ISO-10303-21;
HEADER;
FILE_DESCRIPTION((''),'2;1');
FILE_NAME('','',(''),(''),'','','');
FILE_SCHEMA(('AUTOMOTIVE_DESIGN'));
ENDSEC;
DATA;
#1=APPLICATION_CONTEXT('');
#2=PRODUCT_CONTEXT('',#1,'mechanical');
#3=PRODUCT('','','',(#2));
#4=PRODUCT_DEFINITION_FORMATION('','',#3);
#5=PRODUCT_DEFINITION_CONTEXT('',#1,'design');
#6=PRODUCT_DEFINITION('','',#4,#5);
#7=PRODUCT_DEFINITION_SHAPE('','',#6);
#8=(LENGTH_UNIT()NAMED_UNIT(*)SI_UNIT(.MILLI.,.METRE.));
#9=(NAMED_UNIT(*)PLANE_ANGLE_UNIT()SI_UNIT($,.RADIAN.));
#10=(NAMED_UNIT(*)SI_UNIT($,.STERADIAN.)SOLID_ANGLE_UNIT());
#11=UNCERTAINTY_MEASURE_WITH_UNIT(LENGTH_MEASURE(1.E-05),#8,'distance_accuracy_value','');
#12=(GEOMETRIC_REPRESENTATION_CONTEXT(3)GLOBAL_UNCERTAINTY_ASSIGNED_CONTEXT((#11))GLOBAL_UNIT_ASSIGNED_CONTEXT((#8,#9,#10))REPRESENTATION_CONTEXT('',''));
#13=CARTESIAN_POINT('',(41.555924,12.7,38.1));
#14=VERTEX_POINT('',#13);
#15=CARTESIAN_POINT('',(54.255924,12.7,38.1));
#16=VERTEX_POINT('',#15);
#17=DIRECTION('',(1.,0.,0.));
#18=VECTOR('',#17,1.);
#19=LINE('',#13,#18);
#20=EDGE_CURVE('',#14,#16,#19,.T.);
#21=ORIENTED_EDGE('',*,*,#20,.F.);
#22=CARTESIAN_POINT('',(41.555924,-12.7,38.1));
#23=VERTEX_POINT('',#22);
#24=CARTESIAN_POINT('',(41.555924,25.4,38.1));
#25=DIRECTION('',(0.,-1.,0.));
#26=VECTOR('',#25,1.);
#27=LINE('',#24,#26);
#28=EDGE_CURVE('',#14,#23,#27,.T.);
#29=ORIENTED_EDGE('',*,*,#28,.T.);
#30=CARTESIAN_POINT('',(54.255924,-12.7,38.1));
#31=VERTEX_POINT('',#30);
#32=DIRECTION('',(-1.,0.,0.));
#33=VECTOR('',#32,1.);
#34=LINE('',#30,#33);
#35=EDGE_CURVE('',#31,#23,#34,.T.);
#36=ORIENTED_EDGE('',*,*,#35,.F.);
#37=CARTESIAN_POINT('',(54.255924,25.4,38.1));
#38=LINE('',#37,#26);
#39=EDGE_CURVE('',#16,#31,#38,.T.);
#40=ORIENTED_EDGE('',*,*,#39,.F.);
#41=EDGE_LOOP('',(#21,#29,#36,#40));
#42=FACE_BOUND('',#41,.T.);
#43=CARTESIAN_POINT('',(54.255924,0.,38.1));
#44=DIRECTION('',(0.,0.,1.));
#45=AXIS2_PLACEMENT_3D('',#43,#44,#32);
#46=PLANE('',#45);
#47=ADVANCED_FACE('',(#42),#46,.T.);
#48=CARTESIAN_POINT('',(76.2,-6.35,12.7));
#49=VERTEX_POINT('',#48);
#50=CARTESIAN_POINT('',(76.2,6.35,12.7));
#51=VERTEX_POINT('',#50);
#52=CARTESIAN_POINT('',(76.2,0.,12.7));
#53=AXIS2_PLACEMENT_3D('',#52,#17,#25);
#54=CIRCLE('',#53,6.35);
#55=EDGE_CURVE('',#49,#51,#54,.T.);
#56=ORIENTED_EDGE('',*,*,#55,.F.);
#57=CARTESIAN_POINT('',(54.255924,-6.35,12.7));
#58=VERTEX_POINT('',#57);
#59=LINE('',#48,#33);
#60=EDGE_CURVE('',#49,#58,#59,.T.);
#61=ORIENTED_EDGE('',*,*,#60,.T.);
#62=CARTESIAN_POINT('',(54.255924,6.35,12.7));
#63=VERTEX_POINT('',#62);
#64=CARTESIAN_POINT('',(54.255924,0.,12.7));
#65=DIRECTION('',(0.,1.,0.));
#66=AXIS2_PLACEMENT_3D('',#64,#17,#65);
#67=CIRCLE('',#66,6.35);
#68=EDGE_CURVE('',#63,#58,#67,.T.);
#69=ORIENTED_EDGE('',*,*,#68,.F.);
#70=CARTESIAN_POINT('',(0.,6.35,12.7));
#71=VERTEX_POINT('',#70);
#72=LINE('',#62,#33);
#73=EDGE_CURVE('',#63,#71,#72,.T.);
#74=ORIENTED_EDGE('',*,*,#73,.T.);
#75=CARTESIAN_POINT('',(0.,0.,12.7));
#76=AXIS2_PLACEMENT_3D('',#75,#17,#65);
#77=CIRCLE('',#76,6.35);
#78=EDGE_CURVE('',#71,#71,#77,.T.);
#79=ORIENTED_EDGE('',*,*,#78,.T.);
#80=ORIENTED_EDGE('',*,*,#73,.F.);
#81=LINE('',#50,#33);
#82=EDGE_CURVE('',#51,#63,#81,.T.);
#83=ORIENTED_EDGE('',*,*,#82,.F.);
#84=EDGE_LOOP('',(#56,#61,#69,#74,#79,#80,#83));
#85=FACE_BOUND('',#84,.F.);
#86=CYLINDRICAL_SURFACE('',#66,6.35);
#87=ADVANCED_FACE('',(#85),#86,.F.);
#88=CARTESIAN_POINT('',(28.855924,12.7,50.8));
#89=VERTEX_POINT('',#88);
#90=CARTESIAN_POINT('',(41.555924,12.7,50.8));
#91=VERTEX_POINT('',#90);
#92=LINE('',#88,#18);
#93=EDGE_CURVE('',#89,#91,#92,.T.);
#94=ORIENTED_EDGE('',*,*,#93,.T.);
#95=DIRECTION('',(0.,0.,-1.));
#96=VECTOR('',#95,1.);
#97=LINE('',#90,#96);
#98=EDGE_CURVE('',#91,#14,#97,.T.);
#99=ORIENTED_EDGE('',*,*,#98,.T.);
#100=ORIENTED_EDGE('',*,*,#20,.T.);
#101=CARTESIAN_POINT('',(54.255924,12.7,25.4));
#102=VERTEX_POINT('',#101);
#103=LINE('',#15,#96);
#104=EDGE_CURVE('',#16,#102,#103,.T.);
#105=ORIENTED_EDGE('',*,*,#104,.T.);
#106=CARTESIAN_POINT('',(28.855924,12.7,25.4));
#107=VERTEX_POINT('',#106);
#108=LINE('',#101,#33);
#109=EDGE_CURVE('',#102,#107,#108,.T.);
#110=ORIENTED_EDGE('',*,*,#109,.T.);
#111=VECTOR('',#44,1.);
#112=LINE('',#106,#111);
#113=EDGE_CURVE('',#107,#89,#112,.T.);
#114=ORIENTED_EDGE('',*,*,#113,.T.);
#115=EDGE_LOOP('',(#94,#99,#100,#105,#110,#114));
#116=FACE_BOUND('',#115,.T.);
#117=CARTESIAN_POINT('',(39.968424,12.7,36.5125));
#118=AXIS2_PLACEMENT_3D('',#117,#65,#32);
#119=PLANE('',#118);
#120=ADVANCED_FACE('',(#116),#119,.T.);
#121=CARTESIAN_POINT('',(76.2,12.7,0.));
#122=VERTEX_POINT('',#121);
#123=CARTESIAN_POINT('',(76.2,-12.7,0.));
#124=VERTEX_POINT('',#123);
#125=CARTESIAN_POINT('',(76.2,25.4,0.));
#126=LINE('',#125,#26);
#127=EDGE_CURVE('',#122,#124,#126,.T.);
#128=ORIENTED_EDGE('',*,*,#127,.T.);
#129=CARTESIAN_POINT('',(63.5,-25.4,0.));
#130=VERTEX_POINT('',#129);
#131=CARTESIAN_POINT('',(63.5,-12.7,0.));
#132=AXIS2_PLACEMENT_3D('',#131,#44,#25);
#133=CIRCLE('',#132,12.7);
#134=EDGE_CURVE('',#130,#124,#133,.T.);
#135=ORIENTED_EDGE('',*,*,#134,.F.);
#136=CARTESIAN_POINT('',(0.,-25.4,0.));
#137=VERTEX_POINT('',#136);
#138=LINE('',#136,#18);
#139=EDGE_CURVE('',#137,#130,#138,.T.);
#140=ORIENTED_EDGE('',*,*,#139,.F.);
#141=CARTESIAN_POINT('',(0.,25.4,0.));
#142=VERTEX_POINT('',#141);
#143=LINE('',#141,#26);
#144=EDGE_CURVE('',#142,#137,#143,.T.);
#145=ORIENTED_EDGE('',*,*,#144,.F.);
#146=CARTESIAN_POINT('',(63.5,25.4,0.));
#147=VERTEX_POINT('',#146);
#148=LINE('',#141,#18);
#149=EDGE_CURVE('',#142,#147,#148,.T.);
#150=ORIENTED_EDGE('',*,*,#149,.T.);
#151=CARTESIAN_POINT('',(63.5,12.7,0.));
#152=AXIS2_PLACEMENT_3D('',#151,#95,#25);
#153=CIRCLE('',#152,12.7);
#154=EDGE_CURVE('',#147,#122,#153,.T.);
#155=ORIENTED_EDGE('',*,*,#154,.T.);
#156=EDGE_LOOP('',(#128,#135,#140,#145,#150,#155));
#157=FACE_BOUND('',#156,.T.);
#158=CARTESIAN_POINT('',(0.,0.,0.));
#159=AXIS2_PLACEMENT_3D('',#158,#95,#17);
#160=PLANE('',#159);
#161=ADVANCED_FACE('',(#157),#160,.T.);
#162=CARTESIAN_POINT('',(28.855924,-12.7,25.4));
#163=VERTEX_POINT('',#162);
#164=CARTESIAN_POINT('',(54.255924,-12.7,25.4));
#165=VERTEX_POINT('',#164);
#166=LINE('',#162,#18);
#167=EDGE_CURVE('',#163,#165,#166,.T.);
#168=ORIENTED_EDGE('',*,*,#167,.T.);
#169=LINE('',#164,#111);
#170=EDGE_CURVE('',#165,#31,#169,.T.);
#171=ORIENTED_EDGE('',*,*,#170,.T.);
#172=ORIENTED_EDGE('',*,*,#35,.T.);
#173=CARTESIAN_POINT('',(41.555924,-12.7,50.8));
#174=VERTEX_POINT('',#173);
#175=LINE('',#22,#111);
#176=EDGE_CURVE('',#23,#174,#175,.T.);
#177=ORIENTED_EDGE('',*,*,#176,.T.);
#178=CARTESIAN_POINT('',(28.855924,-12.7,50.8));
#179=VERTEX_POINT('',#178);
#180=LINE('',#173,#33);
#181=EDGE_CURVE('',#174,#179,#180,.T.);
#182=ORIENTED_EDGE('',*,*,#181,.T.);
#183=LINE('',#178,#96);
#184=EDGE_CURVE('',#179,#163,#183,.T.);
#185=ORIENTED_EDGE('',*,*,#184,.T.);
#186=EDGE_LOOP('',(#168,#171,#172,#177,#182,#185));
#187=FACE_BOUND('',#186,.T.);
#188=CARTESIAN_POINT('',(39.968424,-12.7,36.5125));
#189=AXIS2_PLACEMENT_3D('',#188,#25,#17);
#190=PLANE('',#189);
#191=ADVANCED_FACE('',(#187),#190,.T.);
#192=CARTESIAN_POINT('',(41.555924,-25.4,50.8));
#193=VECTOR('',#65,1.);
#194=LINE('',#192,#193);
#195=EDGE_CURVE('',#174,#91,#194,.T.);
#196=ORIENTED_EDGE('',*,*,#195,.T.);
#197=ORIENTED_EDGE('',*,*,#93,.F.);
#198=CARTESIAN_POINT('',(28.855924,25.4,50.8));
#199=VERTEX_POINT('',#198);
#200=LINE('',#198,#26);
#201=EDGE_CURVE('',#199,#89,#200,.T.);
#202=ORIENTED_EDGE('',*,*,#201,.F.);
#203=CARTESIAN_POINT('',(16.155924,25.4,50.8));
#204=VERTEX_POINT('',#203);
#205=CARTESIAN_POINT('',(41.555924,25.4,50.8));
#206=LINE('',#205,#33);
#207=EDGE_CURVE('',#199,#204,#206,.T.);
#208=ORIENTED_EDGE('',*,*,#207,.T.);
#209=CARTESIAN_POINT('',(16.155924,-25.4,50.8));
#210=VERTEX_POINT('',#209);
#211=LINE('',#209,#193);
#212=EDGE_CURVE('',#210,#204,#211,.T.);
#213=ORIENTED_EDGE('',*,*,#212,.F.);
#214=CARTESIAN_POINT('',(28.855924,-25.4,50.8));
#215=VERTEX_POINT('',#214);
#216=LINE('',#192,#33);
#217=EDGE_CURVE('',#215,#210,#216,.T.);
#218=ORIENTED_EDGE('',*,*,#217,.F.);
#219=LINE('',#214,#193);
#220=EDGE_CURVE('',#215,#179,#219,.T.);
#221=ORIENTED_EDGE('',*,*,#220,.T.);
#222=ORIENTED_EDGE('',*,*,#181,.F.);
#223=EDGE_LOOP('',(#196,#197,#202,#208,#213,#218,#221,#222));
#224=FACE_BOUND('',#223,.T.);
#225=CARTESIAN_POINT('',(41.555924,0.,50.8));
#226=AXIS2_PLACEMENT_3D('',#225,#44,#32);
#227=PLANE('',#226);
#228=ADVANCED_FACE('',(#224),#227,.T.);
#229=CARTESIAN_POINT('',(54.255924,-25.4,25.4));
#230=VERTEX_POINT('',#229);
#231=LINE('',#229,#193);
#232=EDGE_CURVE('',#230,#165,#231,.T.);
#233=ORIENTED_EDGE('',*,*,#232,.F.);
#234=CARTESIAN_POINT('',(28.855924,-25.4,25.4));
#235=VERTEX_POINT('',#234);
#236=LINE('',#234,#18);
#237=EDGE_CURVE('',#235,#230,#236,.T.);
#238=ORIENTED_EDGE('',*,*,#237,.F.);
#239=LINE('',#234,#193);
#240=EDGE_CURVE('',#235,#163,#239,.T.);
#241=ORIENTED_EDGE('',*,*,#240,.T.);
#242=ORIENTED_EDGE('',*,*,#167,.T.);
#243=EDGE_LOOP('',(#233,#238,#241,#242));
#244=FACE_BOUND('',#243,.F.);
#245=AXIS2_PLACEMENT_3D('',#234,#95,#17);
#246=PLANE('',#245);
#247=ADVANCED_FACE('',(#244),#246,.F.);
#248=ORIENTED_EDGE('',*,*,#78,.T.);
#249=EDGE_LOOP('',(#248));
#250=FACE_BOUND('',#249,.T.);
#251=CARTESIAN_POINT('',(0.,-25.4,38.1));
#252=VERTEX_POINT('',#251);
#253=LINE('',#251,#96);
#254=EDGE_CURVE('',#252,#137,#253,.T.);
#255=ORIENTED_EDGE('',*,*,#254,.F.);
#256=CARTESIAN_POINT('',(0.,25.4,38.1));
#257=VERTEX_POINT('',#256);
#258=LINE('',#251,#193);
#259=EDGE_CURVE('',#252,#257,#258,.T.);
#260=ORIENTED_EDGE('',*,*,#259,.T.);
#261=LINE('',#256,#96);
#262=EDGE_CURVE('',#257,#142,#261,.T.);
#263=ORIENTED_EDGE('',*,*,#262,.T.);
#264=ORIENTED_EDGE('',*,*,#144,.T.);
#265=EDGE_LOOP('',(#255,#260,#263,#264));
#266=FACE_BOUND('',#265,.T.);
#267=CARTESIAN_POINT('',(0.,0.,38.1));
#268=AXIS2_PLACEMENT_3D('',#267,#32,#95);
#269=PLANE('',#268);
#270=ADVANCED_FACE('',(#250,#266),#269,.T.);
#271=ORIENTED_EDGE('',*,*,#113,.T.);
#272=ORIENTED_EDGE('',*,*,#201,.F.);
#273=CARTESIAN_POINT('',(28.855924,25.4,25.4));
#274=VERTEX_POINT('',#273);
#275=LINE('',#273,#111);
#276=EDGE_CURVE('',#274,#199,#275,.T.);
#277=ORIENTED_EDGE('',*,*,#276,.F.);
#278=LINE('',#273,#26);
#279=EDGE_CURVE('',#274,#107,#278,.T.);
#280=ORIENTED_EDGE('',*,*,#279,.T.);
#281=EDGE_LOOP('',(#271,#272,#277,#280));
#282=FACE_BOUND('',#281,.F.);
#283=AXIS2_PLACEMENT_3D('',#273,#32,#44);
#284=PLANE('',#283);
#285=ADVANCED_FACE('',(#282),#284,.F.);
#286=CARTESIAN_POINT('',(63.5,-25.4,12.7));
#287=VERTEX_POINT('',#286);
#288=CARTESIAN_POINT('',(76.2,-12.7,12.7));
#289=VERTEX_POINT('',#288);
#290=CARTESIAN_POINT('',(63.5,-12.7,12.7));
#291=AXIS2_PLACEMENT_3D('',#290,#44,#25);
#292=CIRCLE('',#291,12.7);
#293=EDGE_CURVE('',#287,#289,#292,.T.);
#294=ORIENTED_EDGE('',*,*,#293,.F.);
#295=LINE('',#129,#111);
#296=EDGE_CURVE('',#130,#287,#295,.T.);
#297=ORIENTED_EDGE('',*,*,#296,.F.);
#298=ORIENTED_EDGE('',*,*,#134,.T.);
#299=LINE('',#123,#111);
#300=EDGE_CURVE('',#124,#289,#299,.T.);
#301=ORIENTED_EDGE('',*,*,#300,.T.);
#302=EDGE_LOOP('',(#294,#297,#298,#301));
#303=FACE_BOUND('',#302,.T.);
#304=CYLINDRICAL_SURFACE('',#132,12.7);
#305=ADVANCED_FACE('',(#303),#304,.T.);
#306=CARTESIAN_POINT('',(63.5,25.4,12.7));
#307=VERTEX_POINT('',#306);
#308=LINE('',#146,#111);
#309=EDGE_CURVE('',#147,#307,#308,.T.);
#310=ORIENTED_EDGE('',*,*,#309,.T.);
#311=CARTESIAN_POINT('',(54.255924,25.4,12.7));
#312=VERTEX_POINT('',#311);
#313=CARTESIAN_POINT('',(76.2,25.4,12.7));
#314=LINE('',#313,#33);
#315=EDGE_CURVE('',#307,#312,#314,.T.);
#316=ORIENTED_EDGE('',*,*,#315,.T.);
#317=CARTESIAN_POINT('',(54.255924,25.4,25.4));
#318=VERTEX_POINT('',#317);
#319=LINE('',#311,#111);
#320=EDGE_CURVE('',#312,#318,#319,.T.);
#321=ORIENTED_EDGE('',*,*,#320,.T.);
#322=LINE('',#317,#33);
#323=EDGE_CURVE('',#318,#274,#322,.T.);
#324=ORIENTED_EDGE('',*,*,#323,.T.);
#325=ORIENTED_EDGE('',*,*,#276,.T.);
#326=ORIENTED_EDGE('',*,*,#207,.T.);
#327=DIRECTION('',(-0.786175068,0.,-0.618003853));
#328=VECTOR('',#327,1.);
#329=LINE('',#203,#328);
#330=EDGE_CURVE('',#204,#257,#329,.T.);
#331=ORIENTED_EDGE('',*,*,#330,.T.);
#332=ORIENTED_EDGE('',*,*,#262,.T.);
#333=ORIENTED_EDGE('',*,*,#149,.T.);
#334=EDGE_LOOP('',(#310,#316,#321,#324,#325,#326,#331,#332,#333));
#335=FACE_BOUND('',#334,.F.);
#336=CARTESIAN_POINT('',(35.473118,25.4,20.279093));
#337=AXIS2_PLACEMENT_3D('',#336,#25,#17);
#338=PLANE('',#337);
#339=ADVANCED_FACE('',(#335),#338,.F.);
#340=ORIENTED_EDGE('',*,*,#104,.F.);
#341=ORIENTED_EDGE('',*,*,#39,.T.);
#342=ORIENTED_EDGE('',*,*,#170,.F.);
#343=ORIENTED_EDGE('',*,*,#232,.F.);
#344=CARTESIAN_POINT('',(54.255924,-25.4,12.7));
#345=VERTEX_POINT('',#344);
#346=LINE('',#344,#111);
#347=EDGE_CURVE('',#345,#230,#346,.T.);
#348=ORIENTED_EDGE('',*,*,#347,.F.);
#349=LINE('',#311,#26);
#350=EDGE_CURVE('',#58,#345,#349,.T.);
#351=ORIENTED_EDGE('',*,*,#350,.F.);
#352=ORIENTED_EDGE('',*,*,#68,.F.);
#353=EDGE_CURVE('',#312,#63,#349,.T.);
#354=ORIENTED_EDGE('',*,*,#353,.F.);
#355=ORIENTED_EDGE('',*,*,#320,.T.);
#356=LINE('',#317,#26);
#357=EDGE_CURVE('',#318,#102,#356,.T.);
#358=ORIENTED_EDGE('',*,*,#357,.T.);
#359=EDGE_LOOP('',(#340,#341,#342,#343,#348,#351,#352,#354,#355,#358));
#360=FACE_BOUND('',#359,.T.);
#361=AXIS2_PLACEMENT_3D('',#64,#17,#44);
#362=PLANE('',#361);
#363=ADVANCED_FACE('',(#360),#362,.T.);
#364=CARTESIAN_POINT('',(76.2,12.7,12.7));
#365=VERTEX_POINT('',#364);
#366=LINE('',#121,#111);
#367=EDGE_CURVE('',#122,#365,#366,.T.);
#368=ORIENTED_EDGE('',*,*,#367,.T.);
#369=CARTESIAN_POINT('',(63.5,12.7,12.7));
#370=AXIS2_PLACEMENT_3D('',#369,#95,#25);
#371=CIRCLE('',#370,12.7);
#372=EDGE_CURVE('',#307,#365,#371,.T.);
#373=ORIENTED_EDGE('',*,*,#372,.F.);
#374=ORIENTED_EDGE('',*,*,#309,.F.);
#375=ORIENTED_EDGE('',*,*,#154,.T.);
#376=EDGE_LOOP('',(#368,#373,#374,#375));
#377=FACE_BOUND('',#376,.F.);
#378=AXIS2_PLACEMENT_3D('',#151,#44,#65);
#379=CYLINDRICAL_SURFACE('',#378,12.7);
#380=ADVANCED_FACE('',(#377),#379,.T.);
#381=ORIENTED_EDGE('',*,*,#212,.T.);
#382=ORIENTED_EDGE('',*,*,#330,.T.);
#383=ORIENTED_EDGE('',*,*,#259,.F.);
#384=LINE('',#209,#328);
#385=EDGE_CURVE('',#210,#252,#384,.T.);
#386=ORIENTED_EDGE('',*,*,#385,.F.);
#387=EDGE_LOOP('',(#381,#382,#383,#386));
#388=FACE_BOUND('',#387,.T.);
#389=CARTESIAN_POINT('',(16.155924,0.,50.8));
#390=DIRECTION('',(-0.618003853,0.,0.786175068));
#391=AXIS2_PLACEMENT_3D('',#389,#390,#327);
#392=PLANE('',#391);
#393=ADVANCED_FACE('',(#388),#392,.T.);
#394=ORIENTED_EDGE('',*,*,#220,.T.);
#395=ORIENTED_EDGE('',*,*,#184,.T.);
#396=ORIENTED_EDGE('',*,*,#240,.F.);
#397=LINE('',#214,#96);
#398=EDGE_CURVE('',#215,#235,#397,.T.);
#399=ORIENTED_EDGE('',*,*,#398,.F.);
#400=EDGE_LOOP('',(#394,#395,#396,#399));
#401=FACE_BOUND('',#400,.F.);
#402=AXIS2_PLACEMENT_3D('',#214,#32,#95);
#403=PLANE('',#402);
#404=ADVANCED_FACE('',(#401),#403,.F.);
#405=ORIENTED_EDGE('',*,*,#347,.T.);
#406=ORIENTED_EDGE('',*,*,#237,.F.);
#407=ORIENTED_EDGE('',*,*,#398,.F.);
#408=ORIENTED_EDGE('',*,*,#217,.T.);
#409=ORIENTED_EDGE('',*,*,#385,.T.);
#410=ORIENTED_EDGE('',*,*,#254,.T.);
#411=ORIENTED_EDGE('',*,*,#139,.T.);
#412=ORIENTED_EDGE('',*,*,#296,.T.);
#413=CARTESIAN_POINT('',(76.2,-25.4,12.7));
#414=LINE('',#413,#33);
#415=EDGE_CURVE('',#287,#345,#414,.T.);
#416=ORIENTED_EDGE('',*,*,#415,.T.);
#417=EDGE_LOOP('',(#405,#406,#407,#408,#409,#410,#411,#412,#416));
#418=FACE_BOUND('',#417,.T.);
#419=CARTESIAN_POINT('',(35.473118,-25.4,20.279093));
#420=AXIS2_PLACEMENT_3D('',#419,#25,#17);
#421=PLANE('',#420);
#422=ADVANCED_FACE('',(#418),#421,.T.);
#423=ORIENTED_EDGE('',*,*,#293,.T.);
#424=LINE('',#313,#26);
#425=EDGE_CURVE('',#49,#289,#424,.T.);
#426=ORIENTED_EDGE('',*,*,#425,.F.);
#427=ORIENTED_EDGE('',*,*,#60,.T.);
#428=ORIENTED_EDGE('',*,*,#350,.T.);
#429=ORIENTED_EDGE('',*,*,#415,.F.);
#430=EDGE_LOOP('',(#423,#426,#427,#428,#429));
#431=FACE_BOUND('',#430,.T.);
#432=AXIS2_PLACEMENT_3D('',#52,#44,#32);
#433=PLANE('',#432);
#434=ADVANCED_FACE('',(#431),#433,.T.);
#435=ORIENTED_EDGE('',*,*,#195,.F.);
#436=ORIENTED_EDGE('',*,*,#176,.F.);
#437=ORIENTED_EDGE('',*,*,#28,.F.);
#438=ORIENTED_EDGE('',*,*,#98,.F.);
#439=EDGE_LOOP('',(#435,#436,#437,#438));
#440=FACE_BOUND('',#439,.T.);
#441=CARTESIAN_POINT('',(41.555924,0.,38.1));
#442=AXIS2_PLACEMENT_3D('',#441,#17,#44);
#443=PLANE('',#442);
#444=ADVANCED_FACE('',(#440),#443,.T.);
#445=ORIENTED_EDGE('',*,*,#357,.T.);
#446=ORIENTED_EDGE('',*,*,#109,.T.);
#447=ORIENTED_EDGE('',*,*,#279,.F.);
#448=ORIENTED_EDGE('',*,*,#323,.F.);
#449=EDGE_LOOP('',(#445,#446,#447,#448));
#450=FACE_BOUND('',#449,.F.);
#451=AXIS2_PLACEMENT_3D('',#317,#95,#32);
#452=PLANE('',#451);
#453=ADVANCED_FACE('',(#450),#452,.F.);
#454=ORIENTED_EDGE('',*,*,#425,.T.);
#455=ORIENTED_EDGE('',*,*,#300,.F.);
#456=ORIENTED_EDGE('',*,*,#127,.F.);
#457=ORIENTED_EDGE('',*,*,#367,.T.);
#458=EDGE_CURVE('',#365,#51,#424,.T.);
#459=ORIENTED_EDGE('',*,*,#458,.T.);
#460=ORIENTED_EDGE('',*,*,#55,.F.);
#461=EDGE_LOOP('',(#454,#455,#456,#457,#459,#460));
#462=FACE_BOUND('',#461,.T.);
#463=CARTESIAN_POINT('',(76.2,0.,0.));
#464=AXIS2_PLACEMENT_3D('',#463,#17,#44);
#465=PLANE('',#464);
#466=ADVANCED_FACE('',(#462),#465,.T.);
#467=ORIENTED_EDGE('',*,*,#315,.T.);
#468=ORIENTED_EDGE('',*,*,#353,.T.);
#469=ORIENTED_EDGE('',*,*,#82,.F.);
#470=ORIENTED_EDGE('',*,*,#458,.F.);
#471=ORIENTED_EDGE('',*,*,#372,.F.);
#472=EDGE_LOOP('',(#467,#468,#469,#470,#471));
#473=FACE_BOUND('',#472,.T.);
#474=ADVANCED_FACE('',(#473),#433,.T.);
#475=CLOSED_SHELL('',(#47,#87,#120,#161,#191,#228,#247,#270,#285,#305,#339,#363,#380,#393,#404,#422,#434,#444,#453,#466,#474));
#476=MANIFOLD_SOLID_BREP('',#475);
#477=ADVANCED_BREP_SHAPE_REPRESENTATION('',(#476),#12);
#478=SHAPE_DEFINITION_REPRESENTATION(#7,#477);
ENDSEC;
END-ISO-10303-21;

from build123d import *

# Parameters (mm, degrees)
F1_DEPTH = 25.4
F2_R     = 6.35
F3_DEPTH = 54.256924135
F5_DEPTH = 76.201
F7_DEPTH = 12.7
F9_DEPTH = 12.7
F10_R    = 12.7


with BuildPart() as f1:
    # F0 (on Front) → F1 (new body, symmetric)
    with BuildSketch(Plane.XZ):
        Polygon((0, 38.1), (0, 0), (76.2, 0), (76.2, 12.7), (54.255924135, 12.7), (54.255924135, 38.1), (41.555924135, 38.1), (41.555924135, 50.8), (16.155924135, 50.8), align=None)
    extrude(amount=F1_DEPTH, both=True)

    # F2 (on face) → F3 (cut, through all)
    with BuildSketch(Plane.YZ.offset(54.255924135)):
        with Locations((0, 12.7)):
            Circle(F2_R)
    extrude(amount=-F3_DEPTH, mode=Mode.SUBTRACT)

    # F4 (on face) → F5 (cut, through all)
    with BuildSketch(Plane.YZ.offset(76.2)):
        with BuildLine():
            ThreePointArc((-6.35, 12.7), (0, 6.35), (6.35, 12.7))
            Line((6.35, 12.7), (-6.35, 12.7))
        make_face()
    extrude(amount=-F5_DEPTH, mode=Mode.SUBTRACT)

    # F6 (on face) → F7 (cut)
    with BuildSketch(Plane.XZ.offset(25.4)):
        Polygon((41.555924135, 50.8), (28.855924135, 50.8), (28.855924135, 25.4), (54.255924135, 25.4), (54.255924135, 38.1), (41.555924135, 38.1), align=None)
    extrude(amount=-F7_DEPTH, mode=Mode.SUBTRACT)

    # F8 (on face) → F9 (cut)
    with BuildSketch(Plane(origin=(0, 25.4, 0), x_dir=(-1, 0, 0), z_dir=(0, 1, 0))):
        Polygon((-28.855924135, 25.4), (-28.855924135, 50.8), (-41.555924135, 50.8), (-41.555924135, 38.1), (-54.255924135, 38.1), (-54.255924135, 25.4), align=None)
    extrude(amount=-F9_DEPTH, mode=Mode.SUBTRACT)

    # F10
    f10_edges = [f1.edges().sort_by_distance(p)[0] for p in [
        (76.2, 25.4, 6.35),
        (76.2, -25.4, 6.35),
    ]]
    fillet(f10_edges, radius=F10_R)


solid = f1.part
